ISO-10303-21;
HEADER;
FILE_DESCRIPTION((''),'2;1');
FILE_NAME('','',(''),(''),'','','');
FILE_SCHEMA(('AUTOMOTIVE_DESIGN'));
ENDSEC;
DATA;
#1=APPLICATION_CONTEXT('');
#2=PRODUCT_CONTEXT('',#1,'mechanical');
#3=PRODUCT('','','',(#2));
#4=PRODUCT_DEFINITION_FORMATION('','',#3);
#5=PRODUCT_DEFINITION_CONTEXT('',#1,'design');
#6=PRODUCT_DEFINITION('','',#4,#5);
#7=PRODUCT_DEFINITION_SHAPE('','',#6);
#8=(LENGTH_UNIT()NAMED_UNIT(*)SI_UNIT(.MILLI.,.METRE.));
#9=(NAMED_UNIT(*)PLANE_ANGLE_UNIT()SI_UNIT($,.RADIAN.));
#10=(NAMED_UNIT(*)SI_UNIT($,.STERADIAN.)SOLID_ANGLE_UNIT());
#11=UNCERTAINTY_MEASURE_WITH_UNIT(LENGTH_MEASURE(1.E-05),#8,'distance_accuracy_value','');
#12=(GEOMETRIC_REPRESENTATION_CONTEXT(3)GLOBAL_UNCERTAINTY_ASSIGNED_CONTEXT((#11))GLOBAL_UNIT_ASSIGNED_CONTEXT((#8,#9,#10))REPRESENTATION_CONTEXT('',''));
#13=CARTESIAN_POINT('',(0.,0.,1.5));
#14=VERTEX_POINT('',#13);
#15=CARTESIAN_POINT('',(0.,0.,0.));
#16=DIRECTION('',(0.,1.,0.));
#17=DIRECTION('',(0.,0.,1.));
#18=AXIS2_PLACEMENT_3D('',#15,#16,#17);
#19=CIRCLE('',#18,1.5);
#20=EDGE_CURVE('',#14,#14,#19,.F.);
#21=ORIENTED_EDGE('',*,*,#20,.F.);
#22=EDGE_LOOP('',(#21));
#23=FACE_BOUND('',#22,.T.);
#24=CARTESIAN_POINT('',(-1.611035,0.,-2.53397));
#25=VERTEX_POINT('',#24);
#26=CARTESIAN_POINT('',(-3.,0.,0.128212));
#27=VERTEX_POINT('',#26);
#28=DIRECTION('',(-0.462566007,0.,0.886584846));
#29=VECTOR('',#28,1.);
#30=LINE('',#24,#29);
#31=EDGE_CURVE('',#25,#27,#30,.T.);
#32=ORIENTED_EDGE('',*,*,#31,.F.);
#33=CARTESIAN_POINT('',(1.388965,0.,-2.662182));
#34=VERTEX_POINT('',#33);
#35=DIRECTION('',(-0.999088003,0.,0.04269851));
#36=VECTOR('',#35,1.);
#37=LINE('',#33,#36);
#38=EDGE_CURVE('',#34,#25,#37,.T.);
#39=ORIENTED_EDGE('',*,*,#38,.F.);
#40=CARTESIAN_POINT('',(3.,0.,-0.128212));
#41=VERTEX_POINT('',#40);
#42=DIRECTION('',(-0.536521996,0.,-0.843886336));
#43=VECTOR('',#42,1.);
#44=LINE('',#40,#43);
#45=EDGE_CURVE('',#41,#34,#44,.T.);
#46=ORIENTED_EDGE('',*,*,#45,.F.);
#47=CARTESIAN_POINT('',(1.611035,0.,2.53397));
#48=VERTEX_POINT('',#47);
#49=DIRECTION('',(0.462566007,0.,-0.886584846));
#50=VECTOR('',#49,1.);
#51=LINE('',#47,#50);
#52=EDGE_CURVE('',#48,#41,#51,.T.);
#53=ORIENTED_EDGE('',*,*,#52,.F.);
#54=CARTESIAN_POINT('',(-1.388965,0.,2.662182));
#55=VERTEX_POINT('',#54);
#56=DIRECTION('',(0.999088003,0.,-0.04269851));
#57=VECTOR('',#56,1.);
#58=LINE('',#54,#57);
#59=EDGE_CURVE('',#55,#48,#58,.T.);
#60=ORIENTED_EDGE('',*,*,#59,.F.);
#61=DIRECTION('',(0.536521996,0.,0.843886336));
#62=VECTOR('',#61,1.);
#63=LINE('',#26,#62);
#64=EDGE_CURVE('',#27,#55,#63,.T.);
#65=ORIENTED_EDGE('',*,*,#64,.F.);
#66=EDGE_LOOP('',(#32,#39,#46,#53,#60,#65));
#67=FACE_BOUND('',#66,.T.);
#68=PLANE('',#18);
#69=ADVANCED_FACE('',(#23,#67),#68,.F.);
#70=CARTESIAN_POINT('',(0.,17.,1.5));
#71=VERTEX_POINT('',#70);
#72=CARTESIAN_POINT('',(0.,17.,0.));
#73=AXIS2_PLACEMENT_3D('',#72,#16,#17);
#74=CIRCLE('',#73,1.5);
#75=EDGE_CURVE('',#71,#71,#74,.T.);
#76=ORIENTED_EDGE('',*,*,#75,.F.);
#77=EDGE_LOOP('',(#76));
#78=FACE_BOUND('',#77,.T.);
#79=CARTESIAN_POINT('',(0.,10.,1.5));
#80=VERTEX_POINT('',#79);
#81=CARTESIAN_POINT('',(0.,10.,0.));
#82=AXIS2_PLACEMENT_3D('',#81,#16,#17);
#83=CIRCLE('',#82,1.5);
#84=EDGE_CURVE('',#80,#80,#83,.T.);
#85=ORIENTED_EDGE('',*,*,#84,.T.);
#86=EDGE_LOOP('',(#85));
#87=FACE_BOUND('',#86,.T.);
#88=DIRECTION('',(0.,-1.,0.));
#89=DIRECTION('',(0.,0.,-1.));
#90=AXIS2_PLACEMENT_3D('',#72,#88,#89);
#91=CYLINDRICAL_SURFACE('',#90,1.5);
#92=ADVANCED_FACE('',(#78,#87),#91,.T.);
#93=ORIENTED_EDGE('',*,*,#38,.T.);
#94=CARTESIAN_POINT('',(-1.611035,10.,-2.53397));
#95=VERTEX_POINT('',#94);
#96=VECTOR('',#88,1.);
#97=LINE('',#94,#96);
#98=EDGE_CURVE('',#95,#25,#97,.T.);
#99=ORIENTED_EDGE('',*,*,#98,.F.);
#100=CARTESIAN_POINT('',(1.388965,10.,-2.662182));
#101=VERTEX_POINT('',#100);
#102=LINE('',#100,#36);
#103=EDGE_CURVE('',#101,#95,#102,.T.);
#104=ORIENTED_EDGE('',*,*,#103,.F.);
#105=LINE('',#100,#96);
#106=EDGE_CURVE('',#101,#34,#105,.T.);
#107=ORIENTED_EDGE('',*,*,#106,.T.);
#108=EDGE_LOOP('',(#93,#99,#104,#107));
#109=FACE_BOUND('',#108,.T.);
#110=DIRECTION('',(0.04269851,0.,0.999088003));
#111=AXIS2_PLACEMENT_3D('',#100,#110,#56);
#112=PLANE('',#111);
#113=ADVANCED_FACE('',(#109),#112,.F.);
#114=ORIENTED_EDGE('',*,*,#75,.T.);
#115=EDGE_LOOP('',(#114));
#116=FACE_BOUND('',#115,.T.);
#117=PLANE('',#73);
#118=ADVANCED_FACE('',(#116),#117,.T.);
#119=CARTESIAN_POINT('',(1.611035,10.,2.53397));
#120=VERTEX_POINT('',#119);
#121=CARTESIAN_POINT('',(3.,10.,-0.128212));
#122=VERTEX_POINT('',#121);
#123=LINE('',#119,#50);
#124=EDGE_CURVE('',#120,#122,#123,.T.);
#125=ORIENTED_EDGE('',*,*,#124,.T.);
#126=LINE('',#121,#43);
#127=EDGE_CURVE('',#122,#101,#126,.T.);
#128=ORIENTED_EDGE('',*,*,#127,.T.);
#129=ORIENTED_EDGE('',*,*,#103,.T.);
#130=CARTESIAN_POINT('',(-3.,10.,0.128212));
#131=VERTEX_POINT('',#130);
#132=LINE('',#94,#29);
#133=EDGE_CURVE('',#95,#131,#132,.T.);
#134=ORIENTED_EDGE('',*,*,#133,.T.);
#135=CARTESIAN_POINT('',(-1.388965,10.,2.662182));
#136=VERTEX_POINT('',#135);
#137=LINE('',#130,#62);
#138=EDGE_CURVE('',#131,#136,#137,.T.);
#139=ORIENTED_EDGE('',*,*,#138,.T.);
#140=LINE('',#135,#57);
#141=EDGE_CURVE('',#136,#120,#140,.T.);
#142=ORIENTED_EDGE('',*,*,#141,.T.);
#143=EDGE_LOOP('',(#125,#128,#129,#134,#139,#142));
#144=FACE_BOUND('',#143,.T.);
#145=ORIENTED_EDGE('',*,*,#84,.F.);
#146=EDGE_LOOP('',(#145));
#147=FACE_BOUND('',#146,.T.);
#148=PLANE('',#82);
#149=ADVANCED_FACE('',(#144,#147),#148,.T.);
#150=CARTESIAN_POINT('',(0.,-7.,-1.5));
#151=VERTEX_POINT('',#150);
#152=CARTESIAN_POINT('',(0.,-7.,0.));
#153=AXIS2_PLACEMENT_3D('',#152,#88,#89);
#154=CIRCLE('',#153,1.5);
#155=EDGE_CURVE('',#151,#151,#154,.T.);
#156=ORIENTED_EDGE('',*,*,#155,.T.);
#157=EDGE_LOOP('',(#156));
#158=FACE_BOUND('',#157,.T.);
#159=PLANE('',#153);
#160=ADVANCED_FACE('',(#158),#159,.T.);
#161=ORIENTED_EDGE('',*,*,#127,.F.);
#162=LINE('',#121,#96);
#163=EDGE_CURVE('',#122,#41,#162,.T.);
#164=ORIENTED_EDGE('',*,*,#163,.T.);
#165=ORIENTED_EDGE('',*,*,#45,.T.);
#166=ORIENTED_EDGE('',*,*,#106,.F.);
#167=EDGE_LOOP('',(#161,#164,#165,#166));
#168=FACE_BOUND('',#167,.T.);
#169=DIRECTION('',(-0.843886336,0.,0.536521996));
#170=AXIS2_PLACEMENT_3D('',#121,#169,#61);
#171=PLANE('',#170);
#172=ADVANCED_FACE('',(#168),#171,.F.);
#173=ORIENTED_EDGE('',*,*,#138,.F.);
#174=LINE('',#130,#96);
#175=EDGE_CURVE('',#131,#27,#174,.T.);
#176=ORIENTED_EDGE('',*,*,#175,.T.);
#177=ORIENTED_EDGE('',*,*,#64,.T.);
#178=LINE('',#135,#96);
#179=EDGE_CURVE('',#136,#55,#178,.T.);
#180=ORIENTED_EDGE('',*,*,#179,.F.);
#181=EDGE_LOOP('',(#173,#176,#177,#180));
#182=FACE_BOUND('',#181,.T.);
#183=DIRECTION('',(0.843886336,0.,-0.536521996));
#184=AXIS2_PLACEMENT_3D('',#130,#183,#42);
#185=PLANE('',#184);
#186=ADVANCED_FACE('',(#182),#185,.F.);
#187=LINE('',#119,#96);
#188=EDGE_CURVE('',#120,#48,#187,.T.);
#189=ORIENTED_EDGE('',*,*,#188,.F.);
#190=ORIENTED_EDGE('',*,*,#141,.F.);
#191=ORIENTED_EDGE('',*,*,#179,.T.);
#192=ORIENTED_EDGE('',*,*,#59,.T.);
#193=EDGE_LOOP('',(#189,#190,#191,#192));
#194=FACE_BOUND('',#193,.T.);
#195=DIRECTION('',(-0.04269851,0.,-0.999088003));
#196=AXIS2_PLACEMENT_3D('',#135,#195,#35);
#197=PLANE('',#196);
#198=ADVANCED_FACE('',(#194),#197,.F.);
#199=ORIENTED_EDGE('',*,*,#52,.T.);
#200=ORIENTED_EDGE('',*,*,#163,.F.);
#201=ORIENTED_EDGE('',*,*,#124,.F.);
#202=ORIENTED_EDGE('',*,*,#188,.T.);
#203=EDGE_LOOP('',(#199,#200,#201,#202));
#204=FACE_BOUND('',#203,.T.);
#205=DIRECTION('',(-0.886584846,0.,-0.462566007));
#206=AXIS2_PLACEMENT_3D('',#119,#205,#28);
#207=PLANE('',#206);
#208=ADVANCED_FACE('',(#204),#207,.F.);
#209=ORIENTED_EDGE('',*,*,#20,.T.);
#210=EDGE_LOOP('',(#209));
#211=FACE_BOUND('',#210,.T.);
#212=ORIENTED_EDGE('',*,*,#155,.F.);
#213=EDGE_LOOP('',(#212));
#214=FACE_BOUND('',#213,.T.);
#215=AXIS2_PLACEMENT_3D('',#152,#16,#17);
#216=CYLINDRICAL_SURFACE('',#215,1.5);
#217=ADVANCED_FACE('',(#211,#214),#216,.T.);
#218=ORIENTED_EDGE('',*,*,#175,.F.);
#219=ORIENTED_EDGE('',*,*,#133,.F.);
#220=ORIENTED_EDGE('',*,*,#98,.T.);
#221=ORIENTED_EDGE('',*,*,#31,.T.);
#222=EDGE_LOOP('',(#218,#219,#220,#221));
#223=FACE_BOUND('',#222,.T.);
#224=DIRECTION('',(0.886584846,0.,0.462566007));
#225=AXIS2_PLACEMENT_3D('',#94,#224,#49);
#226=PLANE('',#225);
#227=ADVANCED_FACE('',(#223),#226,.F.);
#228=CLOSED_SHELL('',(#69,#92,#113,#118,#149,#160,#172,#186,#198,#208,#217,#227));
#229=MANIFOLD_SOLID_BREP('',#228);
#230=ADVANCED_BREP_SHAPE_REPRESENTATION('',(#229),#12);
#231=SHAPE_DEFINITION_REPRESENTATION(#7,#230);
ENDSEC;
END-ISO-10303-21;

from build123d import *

# Parameters (mm, degrees)
BOSS_EXTRUDE1_DEPTH = 10
SKETCH4_R           = 1.5
BOSS_EXTRUDE2_DEPTH = 7
BOSS_EXTRUDE3_START = 7
SKETCH5_R           = 1.5
BOSS_EXTRUDE3_DEPTH = 7


with BuildPart() as part:
    # Sketch3 → Boss-Extrude1 (new body)
    with BuildSketch(Plane(origin=(0, 0, 0), x_dir=(1, 0, 0), z_dir=(0, 1, 0))):
        Polygon((1.388964752, 2.662182442), (-1.611035248, 2.533969981), (-3, -0.12821246), (-1.388964752, -2.662182442), (1.611035248, -2.533969981), (3, 0.12821246), align=None)
    extrude(amount=BOSS_EXTRUDE1_DEPTH)

    # Sketch4 → Boss-Extrude2 (add)
    with BuildSketch(Plane(origin=(0, 10, 0), x_dir=(1, 0, 0), z_dir=(0, 1, 0))):
        with Locations(Location((0, 0, 0), (0, 0, 270))):
            Circle(SKETCH4_R)
    extrude(amount=BOSS_EXTRUDE2_DEPTH)

    # Sketch5 → Boss-Extrude3 (add)
    with BuildSketch(Plane.XZ.offset(BOSS_EXTRUDE3_START)):
        with Locations(Location((0, 0, 0), (0, 0, 90))):
            Circle(SKETCH5_R)
    extrude(amount=-BOSS_EXTRUDE3_DEPTH)


solid = part.part
